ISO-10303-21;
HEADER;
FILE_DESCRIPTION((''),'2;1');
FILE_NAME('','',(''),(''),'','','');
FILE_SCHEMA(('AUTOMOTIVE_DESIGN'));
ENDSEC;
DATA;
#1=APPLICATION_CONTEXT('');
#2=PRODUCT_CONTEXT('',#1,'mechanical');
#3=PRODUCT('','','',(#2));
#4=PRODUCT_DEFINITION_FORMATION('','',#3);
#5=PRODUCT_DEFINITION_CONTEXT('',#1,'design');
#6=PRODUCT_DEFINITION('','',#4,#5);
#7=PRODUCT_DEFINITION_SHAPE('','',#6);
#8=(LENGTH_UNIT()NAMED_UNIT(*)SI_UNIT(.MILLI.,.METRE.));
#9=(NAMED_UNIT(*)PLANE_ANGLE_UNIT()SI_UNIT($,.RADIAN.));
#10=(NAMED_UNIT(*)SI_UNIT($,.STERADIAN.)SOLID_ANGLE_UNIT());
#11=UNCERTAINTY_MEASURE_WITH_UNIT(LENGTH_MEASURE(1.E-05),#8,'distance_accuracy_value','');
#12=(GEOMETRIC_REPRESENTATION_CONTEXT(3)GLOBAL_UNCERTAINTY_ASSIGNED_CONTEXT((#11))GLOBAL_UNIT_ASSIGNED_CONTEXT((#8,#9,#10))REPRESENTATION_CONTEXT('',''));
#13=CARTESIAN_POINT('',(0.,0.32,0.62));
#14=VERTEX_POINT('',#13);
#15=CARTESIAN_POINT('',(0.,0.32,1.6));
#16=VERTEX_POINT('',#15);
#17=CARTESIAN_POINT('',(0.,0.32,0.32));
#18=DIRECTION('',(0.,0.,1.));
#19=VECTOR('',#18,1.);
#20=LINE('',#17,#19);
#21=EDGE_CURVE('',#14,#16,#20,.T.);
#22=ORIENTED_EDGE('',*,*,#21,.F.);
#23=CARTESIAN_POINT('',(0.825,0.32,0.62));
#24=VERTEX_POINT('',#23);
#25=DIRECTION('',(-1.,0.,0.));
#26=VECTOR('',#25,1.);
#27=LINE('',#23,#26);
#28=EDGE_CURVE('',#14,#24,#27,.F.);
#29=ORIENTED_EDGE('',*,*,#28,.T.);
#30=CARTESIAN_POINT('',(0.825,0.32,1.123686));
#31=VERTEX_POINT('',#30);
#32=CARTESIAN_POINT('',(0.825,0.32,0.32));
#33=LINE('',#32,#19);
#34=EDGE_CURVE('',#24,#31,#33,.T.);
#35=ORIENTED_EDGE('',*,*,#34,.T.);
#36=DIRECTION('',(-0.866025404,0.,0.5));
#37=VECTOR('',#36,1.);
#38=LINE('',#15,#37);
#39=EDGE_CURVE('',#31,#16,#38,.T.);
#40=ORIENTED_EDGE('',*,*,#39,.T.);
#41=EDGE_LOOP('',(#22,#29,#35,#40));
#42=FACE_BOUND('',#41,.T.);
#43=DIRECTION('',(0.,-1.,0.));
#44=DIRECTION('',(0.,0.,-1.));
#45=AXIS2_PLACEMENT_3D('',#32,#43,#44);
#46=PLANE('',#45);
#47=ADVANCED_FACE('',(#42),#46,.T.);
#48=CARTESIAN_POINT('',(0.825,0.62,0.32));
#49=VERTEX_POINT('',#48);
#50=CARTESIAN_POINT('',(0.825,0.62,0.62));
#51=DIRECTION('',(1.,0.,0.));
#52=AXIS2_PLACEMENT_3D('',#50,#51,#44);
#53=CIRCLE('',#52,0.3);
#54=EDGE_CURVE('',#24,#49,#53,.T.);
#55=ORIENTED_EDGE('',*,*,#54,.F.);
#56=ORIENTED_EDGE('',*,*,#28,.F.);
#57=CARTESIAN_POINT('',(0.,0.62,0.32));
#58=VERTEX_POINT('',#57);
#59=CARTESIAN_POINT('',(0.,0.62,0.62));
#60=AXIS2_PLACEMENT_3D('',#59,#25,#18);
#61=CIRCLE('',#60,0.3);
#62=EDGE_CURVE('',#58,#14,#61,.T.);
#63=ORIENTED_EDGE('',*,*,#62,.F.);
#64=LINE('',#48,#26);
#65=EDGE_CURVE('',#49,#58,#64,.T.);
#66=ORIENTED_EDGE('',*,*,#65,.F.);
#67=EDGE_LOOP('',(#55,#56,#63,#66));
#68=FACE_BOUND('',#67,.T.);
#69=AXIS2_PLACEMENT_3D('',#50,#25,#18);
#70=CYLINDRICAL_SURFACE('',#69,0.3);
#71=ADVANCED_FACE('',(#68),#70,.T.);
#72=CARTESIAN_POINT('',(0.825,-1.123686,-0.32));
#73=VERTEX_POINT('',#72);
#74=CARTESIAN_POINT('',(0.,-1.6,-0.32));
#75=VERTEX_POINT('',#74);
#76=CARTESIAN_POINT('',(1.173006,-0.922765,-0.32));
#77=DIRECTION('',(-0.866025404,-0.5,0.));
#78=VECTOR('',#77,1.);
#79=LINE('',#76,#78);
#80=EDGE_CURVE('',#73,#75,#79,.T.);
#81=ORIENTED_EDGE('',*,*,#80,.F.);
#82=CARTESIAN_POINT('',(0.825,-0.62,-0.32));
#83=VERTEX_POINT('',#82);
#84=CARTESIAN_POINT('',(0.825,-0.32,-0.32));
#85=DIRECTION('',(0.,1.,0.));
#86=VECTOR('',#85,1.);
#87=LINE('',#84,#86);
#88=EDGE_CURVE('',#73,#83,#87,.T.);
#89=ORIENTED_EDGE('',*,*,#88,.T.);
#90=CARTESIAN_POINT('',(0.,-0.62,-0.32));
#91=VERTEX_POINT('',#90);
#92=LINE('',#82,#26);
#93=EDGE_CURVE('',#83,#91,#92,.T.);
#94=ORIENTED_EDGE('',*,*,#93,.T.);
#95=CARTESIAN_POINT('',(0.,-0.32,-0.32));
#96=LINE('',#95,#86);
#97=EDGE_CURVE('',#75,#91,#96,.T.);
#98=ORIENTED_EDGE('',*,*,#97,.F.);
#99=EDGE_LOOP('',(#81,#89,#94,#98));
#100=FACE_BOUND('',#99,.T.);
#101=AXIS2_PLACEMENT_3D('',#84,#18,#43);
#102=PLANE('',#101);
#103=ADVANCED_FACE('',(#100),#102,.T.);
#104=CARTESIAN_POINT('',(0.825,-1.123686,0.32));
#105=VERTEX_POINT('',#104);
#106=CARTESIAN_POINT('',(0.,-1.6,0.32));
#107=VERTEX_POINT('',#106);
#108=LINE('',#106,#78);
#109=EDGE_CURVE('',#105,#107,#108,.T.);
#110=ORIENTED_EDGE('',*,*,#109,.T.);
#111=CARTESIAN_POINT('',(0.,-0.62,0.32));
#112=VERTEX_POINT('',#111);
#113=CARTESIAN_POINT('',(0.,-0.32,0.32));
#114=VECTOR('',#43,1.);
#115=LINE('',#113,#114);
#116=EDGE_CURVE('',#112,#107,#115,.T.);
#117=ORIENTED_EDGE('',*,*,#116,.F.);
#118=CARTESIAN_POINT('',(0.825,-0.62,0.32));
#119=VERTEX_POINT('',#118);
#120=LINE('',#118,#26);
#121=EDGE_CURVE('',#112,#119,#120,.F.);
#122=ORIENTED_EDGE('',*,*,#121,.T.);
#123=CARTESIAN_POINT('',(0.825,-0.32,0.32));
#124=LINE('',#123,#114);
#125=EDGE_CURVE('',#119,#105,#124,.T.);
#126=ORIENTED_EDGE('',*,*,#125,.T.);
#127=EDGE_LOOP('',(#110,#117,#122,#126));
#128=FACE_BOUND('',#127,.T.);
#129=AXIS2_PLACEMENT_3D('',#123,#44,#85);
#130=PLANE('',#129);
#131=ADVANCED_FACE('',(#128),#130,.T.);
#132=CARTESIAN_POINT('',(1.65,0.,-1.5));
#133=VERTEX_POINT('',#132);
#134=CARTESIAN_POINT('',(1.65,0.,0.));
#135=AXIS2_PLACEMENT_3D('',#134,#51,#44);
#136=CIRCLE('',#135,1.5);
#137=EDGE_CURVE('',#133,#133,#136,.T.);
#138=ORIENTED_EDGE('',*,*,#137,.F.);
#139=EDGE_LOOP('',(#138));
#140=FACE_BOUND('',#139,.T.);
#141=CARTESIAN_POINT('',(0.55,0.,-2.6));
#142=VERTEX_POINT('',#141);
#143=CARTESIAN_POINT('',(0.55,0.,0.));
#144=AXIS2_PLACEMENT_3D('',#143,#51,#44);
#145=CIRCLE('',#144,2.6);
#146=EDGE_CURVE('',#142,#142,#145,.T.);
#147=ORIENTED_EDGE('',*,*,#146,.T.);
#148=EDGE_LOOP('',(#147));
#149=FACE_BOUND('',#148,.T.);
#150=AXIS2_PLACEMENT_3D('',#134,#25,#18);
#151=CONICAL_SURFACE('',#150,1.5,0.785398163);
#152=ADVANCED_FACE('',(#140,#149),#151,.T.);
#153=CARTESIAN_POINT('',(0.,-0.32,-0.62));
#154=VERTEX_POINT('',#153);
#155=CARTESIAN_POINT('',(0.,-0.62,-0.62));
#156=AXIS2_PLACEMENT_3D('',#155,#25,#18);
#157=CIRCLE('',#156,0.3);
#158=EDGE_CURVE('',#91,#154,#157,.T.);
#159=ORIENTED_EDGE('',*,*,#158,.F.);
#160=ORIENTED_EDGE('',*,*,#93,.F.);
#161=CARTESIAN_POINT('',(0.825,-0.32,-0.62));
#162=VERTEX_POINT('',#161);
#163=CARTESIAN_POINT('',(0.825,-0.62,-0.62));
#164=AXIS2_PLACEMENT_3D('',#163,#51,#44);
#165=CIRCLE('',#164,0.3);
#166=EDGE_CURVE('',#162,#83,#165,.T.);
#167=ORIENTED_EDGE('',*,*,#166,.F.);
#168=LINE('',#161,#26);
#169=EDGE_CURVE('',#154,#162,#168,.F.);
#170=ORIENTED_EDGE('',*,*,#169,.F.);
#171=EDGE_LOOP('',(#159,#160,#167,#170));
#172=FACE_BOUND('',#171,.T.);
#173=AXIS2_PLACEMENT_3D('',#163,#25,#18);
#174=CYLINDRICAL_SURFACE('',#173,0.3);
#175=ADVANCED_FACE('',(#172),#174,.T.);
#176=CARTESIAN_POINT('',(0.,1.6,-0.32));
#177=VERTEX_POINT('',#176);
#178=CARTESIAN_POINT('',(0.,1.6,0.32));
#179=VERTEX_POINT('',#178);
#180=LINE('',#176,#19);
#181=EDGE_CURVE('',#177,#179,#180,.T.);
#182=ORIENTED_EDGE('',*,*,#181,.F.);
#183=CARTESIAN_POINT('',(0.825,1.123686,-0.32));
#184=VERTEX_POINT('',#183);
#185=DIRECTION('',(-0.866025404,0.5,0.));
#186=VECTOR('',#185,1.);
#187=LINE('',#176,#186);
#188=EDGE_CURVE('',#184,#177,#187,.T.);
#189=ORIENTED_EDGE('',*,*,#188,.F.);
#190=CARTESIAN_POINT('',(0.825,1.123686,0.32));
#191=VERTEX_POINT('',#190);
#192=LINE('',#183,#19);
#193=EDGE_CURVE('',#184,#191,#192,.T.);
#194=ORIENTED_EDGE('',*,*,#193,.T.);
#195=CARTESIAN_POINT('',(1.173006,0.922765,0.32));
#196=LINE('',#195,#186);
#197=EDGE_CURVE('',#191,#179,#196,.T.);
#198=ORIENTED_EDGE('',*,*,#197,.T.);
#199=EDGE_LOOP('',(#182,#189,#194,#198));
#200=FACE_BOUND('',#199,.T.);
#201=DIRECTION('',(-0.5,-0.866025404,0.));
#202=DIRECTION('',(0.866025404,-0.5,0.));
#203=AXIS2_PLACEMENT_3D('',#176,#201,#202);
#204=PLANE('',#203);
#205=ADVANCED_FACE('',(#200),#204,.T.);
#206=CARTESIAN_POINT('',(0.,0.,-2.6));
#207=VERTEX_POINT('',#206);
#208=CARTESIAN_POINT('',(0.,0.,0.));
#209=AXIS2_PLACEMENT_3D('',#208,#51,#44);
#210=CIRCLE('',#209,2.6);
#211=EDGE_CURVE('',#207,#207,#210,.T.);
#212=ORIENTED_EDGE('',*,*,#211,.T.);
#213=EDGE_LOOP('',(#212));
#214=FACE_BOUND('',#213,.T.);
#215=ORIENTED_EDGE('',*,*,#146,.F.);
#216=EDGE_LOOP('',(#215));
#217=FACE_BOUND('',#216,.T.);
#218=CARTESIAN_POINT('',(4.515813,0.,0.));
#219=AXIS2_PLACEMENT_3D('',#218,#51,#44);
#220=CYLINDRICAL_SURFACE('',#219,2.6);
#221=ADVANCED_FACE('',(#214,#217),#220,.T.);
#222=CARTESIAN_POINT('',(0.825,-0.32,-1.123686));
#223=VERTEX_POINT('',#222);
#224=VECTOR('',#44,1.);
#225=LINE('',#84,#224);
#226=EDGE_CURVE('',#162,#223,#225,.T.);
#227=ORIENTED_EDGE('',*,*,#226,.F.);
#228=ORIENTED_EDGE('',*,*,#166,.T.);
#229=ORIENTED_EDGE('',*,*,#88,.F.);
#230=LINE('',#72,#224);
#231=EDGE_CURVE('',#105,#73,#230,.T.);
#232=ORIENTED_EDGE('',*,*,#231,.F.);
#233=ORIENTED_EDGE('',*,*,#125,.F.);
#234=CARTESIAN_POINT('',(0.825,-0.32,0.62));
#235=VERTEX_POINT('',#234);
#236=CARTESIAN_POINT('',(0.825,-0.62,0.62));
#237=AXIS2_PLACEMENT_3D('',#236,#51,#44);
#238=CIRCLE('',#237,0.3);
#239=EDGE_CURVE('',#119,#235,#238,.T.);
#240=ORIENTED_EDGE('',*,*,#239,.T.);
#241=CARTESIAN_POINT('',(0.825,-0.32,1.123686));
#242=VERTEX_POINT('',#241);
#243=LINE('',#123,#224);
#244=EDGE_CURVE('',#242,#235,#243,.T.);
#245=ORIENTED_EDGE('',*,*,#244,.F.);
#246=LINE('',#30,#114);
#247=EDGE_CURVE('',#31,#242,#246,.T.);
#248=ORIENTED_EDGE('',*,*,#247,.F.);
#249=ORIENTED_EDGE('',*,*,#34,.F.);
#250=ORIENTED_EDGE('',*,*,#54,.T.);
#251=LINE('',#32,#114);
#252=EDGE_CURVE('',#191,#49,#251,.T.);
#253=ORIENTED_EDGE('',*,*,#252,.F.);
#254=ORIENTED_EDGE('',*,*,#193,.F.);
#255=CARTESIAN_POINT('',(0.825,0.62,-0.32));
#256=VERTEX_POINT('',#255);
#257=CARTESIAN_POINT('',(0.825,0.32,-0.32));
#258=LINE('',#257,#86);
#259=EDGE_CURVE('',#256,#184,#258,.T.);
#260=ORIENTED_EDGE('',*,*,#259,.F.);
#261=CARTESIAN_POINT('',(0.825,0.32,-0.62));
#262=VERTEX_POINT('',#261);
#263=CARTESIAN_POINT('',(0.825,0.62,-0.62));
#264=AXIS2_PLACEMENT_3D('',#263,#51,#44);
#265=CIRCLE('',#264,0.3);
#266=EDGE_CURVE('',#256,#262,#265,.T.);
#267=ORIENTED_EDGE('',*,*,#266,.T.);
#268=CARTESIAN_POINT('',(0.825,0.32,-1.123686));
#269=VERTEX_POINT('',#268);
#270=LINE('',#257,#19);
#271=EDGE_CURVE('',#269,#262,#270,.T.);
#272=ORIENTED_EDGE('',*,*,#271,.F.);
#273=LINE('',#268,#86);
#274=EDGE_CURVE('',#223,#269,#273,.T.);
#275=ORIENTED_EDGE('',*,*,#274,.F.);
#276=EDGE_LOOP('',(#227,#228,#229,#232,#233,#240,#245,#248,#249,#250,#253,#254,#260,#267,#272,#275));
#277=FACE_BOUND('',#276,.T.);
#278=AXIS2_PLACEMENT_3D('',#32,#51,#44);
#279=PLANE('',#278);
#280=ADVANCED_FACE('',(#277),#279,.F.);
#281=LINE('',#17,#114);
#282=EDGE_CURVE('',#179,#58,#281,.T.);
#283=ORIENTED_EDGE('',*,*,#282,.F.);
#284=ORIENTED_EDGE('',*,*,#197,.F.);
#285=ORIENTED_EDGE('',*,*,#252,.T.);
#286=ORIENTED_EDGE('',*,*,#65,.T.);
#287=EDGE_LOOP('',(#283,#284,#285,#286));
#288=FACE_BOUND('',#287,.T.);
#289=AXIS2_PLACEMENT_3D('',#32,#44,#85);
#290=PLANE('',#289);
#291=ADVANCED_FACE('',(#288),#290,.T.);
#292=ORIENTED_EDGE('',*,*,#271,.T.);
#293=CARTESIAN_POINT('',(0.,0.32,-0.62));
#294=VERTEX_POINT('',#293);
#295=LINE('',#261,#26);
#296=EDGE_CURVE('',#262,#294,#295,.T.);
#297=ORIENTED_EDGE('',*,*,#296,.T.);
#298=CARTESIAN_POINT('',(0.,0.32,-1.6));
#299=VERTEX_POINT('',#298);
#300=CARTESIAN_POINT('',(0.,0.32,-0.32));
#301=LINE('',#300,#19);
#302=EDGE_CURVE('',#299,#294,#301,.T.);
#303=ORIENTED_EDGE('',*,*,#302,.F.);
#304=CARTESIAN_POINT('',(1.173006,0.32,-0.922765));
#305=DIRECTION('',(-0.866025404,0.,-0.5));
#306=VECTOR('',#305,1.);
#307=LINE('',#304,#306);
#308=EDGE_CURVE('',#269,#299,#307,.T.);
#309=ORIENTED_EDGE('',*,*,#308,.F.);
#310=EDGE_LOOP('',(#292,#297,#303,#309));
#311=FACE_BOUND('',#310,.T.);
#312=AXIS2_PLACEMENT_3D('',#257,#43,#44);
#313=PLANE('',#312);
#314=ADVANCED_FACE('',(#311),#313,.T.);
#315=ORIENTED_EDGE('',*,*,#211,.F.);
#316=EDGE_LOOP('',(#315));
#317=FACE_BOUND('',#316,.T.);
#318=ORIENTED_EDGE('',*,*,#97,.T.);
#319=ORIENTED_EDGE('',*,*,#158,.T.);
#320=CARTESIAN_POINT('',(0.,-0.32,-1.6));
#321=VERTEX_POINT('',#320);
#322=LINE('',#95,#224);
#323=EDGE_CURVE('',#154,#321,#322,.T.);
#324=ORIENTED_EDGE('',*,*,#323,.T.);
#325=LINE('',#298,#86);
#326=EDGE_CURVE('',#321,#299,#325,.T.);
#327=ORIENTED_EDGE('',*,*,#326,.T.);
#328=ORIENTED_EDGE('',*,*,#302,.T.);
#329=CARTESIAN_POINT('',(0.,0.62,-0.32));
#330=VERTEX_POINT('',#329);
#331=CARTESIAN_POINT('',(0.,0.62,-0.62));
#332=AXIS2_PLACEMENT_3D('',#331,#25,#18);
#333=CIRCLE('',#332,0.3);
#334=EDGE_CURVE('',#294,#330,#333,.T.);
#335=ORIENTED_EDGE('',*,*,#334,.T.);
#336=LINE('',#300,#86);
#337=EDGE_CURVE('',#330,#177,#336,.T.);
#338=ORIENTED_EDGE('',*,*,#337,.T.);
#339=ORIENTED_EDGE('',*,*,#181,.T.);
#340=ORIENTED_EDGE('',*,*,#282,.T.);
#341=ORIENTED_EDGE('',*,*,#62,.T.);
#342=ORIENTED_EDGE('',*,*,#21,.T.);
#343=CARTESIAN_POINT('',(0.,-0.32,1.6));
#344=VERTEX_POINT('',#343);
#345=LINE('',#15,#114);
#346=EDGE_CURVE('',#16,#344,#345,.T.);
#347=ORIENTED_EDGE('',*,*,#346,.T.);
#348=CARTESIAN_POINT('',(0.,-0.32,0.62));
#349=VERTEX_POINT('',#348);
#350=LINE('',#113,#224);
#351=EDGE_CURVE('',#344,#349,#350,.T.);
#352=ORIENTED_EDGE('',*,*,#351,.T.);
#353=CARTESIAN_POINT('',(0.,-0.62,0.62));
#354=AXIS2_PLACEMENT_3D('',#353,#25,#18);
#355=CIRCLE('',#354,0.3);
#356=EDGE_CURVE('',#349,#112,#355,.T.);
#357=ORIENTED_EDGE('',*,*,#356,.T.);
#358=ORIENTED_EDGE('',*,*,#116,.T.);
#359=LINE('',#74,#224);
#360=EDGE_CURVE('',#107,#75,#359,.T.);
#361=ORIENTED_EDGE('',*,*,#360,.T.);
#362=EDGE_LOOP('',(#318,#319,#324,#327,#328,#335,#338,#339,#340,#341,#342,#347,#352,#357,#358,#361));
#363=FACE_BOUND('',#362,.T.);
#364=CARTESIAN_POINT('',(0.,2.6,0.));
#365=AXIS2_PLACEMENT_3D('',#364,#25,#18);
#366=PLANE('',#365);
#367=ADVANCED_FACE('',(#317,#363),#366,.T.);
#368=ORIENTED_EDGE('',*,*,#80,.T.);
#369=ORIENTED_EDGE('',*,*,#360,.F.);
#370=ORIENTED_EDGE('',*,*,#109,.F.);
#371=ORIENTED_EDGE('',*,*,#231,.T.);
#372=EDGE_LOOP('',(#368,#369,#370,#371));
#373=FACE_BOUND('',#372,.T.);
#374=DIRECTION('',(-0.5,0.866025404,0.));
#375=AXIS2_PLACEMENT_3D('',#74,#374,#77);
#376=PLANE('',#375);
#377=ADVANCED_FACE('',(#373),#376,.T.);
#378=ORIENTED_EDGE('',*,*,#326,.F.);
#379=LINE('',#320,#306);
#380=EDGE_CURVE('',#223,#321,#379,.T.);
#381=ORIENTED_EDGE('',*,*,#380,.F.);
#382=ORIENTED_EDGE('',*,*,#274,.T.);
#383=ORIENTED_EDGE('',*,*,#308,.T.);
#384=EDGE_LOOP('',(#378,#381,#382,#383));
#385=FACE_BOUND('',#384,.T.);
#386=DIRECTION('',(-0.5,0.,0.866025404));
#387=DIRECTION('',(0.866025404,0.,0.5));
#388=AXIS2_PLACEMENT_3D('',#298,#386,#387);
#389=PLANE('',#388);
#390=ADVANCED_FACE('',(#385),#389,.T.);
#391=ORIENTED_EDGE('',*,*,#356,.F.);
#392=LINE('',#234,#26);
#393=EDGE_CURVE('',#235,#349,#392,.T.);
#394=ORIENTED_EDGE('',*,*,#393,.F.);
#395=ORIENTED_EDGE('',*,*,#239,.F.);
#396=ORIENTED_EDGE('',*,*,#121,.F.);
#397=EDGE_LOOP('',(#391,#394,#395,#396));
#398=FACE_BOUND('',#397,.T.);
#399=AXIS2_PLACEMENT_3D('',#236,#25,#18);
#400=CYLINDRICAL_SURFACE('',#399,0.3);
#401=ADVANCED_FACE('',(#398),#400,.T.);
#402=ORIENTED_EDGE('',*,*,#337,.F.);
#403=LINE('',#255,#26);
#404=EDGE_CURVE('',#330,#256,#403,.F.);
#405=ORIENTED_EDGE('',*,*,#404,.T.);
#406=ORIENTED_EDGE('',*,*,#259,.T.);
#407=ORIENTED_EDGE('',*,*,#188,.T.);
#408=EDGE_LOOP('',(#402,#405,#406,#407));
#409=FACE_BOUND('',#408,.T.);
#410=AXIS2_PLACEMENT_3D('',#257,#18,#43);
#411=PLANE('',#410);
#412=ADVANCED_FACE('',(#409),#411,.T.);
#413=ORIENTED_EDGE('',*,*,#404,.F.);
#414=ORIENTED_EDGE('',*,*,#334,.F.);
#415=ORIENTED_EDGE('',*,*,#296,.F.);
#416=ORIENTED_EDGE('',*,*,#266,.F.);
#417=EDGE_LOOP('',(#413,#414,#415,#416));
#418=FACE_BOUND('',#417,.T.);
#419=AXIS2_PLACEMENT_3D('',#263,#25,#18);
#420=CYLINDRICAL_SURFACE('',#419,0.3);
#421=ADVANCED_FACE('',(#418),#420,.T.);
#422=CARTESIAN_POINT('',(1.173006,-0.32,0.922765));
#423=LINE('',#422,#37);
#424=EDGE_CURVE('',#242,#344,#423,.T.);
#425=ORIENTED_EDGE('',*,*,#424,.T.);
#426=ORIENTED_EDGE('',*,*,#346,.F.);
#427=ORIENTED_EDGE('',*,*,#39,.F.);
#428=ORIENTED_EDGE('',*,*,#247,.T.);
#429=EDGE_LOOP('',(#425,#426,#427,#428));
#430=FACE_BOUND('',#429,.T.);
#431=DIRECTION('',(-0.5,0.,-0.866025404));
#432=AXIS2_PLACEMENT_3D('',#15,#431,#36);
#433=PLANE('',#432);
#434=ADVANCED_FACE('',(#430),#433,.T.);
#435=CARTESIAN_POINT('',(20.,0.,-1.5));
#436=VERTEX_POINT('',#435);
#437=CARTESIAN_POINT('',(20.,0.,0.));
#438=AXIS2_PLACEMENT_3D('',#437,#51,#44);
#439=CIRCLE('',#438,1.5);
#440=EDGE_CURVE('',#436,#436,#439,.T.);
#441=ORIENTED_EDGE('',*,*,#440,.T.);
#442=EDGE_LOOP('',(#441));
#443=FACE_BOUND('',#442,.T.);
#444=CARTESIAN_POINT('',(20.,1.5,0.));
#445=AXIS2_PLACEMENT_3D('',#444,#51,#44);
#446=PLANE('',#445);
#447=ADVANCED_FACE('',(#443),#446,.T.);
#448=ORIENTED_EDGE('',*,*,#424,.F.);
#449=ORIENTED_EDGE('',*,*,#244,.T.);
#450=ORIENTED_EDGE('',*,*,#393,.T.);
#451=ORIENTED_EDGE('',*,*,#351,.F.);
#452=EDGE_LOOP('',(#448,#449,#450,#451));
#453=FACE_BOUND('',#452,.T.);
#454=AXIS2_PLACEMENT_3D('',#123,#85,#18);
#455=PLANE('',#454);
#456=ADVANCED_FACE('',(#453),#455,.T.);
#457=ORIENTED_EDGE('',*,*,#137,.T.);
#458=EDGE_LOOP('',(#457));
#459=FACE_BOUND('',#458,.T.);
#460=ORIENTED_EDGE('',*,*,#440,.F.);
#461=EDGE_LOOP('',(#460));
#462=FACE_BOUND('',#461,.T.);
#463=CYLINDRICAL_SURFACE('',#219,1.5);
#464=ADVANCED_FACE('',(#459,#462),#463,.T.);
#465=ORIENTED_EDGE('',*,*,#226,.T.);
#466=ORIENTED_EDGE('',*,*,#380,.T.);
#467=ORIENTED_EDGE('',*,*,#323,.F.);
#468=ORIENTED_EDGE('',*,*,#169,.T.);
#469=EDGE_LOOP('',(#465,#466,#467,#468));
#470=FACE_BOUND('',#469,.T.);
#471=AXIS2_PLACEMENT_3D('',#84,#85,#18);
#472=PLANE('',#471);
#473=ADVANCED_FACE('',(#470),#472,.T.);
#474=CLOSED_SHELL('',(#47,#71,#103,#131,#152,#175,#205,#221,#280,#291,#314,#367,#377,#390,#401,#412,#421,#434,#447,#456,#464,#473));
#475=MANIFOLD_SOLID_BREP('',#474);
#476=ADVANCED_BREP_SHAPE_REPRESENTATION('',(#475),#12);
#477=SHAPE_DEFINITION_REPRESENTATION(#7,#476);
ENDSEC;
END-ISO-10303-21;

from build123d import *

# Parameters (mm, degrees)
CROSSRECESS_DEPTH = 0.825
DRAFT9_ANGLE      = 30
FILLET5_R         = 0.3


with BuildPart() as part:
    # Sketch1 → Base (revolve)
    with BuildSketch(Plane.XY, mode=Mode.PRIVATE) as base_sk:
        Polygon((20, 1.5), (2.65, 1.5), (1.65, 1.5), (0.55, 2.6), (0, 2.6), (0, 0), (20, 0), align=None)
    revolve(base_sk.sketch.rotate(Axis((4.515812911, 0, 0), (-1, 0, 0)), 90), axis=Axis((4.515812911, 0, 0), (-1, 0, 0)))

    # Sketch6 → CrossRecess (cut)
    with BuildSketch(Plane(origin=(0, 0, 0), x_dir=(0, 0, -1), z_dir=(1, 0, 0))):
        Polygon((0.32, 0.32), (0.32, 1.6), (-0.32, 1.6), (-0.32, 0.32), (-1.6, 0.32), (-1.6, -0.32), (-0.32, -0.32), (-0.32, -1.6), (0.32, -1.6), (0.32, -0.32), (1.6, -0.32), (1.6, 0.32), align=None)
    extrude(amount=CROSSRECESS_DEPTH, mode=Mode.SUBTRACT)

    # Draft9
    draft9_faces = [part.faces().sort_by_distance(p)[0] for p in [
        (0.4125, 1.6, 0),
        (0.4125, 0, 1.6),
        (0.4125, -1.6, 0),
        (0.4125, 0, -1.6),
    ]]
    draft(draft9_faces, Plane(origin=(0, 2.6, 0), x_dir=(0, 0, -1), z_dir=(-1, 0, 0)), DRAFT9_ANGLE)

    # Fillet5
    fillet5_edges = [part.edges().sort_by_distance(p)[0] for p in [
        (0.4125, 0.32, 0.32),
        (0.4125, -0.32, 0.32),
        (0.4125, -0.32, -0.32),
        (0.4125, 0.32, -0.32),
    ]]
    fillet(fillet5_edges, radius=FILLET5_R)


solid = part.part
